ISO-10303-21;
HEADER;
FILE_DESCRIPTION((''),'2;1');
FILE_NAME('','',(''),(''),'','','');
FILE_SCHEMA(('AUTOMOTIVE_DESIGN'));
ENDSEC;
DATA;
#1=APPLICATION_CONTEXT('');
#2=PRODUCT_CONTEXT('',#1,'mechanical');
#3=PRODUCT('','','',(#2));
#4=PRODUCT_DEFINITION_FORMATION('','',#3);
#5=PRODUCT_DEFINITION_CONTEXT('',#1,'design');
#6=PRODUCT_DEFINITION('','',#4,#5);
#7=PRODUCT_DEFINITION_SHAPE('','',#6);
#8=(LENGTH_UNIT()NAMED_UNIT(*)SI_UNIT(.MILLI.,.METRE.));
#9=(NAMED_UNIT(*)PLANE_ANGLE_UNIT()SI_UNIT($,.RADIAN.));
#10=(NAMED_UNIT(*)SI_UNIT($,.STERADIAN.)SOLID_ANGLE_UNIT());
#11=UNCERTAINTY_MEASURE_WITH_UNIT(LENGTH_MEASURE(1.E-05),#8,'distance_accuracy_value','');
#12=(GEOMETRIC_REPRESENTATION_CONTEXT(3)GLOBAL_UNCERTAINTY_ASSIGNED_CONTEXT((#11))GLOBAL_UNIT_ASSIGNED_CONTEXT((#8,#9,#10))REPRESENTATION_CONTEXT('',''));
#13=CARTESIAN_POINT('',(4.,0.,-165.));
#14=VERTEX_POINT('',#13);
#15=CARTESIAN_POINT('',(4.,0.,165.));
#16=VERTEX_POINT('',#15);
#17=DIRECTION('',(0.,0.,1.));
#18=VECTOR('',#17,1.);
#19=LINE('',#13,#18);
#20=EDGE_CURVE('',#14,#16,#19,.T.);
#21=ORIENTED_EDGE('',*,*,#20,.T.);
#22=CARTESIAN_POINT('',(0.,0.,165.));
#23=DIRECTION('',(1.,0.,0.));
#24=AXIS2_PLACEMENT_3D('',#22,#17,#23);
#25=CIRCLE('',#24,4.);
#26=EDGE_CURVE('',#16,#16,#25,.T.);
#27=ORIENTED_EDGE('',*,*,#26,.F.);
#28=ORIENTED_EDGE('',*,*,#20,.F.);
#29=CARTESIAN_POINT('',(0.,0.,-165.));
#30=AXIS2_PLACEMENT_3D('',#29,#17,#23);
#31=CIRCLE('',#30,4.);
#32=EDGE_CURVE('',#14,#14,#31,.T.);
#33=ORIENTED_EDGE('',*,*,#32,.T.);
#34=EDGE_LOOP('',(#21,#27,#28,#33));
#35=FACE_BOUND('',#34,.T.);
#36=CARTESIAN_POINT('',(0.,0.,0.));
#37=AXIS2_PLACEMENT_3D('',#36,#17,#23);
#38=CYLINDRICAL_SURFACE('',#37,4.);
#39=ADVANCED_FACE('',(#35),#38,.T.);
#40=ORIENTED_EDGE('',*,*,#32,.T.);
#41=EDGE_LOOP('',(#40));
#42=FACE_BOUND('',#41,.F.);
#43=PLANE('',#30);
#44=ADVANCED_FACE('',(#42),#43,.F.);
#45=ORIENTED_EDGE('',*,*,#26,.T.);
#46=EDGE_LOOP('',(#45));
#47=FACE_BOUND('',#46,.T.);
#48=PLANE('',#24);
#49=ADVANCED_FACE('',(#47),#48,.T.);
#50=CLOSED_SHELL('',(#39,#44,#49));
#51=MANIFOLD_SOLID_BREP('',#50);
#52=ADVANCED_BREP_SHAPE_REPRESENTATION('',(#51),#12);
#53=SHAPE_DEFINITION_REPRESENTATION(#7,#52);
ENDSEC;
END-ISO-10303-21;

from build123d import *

# Parameters (mm, degrees)
SKETCH1_R           = 4
BOSS_EXTRUDE1_DEPTH = 165


with BuildPart() as part:
    # Sketch1 → Boss-Extrude1 (new body, symmetric)
    with BuildSketch(Plane.XY):
        Circle(SKETCH1_R)
    extrude(amount=BOSS_EXTRUDE1_DEPTH, both=True)


solid = part.part
